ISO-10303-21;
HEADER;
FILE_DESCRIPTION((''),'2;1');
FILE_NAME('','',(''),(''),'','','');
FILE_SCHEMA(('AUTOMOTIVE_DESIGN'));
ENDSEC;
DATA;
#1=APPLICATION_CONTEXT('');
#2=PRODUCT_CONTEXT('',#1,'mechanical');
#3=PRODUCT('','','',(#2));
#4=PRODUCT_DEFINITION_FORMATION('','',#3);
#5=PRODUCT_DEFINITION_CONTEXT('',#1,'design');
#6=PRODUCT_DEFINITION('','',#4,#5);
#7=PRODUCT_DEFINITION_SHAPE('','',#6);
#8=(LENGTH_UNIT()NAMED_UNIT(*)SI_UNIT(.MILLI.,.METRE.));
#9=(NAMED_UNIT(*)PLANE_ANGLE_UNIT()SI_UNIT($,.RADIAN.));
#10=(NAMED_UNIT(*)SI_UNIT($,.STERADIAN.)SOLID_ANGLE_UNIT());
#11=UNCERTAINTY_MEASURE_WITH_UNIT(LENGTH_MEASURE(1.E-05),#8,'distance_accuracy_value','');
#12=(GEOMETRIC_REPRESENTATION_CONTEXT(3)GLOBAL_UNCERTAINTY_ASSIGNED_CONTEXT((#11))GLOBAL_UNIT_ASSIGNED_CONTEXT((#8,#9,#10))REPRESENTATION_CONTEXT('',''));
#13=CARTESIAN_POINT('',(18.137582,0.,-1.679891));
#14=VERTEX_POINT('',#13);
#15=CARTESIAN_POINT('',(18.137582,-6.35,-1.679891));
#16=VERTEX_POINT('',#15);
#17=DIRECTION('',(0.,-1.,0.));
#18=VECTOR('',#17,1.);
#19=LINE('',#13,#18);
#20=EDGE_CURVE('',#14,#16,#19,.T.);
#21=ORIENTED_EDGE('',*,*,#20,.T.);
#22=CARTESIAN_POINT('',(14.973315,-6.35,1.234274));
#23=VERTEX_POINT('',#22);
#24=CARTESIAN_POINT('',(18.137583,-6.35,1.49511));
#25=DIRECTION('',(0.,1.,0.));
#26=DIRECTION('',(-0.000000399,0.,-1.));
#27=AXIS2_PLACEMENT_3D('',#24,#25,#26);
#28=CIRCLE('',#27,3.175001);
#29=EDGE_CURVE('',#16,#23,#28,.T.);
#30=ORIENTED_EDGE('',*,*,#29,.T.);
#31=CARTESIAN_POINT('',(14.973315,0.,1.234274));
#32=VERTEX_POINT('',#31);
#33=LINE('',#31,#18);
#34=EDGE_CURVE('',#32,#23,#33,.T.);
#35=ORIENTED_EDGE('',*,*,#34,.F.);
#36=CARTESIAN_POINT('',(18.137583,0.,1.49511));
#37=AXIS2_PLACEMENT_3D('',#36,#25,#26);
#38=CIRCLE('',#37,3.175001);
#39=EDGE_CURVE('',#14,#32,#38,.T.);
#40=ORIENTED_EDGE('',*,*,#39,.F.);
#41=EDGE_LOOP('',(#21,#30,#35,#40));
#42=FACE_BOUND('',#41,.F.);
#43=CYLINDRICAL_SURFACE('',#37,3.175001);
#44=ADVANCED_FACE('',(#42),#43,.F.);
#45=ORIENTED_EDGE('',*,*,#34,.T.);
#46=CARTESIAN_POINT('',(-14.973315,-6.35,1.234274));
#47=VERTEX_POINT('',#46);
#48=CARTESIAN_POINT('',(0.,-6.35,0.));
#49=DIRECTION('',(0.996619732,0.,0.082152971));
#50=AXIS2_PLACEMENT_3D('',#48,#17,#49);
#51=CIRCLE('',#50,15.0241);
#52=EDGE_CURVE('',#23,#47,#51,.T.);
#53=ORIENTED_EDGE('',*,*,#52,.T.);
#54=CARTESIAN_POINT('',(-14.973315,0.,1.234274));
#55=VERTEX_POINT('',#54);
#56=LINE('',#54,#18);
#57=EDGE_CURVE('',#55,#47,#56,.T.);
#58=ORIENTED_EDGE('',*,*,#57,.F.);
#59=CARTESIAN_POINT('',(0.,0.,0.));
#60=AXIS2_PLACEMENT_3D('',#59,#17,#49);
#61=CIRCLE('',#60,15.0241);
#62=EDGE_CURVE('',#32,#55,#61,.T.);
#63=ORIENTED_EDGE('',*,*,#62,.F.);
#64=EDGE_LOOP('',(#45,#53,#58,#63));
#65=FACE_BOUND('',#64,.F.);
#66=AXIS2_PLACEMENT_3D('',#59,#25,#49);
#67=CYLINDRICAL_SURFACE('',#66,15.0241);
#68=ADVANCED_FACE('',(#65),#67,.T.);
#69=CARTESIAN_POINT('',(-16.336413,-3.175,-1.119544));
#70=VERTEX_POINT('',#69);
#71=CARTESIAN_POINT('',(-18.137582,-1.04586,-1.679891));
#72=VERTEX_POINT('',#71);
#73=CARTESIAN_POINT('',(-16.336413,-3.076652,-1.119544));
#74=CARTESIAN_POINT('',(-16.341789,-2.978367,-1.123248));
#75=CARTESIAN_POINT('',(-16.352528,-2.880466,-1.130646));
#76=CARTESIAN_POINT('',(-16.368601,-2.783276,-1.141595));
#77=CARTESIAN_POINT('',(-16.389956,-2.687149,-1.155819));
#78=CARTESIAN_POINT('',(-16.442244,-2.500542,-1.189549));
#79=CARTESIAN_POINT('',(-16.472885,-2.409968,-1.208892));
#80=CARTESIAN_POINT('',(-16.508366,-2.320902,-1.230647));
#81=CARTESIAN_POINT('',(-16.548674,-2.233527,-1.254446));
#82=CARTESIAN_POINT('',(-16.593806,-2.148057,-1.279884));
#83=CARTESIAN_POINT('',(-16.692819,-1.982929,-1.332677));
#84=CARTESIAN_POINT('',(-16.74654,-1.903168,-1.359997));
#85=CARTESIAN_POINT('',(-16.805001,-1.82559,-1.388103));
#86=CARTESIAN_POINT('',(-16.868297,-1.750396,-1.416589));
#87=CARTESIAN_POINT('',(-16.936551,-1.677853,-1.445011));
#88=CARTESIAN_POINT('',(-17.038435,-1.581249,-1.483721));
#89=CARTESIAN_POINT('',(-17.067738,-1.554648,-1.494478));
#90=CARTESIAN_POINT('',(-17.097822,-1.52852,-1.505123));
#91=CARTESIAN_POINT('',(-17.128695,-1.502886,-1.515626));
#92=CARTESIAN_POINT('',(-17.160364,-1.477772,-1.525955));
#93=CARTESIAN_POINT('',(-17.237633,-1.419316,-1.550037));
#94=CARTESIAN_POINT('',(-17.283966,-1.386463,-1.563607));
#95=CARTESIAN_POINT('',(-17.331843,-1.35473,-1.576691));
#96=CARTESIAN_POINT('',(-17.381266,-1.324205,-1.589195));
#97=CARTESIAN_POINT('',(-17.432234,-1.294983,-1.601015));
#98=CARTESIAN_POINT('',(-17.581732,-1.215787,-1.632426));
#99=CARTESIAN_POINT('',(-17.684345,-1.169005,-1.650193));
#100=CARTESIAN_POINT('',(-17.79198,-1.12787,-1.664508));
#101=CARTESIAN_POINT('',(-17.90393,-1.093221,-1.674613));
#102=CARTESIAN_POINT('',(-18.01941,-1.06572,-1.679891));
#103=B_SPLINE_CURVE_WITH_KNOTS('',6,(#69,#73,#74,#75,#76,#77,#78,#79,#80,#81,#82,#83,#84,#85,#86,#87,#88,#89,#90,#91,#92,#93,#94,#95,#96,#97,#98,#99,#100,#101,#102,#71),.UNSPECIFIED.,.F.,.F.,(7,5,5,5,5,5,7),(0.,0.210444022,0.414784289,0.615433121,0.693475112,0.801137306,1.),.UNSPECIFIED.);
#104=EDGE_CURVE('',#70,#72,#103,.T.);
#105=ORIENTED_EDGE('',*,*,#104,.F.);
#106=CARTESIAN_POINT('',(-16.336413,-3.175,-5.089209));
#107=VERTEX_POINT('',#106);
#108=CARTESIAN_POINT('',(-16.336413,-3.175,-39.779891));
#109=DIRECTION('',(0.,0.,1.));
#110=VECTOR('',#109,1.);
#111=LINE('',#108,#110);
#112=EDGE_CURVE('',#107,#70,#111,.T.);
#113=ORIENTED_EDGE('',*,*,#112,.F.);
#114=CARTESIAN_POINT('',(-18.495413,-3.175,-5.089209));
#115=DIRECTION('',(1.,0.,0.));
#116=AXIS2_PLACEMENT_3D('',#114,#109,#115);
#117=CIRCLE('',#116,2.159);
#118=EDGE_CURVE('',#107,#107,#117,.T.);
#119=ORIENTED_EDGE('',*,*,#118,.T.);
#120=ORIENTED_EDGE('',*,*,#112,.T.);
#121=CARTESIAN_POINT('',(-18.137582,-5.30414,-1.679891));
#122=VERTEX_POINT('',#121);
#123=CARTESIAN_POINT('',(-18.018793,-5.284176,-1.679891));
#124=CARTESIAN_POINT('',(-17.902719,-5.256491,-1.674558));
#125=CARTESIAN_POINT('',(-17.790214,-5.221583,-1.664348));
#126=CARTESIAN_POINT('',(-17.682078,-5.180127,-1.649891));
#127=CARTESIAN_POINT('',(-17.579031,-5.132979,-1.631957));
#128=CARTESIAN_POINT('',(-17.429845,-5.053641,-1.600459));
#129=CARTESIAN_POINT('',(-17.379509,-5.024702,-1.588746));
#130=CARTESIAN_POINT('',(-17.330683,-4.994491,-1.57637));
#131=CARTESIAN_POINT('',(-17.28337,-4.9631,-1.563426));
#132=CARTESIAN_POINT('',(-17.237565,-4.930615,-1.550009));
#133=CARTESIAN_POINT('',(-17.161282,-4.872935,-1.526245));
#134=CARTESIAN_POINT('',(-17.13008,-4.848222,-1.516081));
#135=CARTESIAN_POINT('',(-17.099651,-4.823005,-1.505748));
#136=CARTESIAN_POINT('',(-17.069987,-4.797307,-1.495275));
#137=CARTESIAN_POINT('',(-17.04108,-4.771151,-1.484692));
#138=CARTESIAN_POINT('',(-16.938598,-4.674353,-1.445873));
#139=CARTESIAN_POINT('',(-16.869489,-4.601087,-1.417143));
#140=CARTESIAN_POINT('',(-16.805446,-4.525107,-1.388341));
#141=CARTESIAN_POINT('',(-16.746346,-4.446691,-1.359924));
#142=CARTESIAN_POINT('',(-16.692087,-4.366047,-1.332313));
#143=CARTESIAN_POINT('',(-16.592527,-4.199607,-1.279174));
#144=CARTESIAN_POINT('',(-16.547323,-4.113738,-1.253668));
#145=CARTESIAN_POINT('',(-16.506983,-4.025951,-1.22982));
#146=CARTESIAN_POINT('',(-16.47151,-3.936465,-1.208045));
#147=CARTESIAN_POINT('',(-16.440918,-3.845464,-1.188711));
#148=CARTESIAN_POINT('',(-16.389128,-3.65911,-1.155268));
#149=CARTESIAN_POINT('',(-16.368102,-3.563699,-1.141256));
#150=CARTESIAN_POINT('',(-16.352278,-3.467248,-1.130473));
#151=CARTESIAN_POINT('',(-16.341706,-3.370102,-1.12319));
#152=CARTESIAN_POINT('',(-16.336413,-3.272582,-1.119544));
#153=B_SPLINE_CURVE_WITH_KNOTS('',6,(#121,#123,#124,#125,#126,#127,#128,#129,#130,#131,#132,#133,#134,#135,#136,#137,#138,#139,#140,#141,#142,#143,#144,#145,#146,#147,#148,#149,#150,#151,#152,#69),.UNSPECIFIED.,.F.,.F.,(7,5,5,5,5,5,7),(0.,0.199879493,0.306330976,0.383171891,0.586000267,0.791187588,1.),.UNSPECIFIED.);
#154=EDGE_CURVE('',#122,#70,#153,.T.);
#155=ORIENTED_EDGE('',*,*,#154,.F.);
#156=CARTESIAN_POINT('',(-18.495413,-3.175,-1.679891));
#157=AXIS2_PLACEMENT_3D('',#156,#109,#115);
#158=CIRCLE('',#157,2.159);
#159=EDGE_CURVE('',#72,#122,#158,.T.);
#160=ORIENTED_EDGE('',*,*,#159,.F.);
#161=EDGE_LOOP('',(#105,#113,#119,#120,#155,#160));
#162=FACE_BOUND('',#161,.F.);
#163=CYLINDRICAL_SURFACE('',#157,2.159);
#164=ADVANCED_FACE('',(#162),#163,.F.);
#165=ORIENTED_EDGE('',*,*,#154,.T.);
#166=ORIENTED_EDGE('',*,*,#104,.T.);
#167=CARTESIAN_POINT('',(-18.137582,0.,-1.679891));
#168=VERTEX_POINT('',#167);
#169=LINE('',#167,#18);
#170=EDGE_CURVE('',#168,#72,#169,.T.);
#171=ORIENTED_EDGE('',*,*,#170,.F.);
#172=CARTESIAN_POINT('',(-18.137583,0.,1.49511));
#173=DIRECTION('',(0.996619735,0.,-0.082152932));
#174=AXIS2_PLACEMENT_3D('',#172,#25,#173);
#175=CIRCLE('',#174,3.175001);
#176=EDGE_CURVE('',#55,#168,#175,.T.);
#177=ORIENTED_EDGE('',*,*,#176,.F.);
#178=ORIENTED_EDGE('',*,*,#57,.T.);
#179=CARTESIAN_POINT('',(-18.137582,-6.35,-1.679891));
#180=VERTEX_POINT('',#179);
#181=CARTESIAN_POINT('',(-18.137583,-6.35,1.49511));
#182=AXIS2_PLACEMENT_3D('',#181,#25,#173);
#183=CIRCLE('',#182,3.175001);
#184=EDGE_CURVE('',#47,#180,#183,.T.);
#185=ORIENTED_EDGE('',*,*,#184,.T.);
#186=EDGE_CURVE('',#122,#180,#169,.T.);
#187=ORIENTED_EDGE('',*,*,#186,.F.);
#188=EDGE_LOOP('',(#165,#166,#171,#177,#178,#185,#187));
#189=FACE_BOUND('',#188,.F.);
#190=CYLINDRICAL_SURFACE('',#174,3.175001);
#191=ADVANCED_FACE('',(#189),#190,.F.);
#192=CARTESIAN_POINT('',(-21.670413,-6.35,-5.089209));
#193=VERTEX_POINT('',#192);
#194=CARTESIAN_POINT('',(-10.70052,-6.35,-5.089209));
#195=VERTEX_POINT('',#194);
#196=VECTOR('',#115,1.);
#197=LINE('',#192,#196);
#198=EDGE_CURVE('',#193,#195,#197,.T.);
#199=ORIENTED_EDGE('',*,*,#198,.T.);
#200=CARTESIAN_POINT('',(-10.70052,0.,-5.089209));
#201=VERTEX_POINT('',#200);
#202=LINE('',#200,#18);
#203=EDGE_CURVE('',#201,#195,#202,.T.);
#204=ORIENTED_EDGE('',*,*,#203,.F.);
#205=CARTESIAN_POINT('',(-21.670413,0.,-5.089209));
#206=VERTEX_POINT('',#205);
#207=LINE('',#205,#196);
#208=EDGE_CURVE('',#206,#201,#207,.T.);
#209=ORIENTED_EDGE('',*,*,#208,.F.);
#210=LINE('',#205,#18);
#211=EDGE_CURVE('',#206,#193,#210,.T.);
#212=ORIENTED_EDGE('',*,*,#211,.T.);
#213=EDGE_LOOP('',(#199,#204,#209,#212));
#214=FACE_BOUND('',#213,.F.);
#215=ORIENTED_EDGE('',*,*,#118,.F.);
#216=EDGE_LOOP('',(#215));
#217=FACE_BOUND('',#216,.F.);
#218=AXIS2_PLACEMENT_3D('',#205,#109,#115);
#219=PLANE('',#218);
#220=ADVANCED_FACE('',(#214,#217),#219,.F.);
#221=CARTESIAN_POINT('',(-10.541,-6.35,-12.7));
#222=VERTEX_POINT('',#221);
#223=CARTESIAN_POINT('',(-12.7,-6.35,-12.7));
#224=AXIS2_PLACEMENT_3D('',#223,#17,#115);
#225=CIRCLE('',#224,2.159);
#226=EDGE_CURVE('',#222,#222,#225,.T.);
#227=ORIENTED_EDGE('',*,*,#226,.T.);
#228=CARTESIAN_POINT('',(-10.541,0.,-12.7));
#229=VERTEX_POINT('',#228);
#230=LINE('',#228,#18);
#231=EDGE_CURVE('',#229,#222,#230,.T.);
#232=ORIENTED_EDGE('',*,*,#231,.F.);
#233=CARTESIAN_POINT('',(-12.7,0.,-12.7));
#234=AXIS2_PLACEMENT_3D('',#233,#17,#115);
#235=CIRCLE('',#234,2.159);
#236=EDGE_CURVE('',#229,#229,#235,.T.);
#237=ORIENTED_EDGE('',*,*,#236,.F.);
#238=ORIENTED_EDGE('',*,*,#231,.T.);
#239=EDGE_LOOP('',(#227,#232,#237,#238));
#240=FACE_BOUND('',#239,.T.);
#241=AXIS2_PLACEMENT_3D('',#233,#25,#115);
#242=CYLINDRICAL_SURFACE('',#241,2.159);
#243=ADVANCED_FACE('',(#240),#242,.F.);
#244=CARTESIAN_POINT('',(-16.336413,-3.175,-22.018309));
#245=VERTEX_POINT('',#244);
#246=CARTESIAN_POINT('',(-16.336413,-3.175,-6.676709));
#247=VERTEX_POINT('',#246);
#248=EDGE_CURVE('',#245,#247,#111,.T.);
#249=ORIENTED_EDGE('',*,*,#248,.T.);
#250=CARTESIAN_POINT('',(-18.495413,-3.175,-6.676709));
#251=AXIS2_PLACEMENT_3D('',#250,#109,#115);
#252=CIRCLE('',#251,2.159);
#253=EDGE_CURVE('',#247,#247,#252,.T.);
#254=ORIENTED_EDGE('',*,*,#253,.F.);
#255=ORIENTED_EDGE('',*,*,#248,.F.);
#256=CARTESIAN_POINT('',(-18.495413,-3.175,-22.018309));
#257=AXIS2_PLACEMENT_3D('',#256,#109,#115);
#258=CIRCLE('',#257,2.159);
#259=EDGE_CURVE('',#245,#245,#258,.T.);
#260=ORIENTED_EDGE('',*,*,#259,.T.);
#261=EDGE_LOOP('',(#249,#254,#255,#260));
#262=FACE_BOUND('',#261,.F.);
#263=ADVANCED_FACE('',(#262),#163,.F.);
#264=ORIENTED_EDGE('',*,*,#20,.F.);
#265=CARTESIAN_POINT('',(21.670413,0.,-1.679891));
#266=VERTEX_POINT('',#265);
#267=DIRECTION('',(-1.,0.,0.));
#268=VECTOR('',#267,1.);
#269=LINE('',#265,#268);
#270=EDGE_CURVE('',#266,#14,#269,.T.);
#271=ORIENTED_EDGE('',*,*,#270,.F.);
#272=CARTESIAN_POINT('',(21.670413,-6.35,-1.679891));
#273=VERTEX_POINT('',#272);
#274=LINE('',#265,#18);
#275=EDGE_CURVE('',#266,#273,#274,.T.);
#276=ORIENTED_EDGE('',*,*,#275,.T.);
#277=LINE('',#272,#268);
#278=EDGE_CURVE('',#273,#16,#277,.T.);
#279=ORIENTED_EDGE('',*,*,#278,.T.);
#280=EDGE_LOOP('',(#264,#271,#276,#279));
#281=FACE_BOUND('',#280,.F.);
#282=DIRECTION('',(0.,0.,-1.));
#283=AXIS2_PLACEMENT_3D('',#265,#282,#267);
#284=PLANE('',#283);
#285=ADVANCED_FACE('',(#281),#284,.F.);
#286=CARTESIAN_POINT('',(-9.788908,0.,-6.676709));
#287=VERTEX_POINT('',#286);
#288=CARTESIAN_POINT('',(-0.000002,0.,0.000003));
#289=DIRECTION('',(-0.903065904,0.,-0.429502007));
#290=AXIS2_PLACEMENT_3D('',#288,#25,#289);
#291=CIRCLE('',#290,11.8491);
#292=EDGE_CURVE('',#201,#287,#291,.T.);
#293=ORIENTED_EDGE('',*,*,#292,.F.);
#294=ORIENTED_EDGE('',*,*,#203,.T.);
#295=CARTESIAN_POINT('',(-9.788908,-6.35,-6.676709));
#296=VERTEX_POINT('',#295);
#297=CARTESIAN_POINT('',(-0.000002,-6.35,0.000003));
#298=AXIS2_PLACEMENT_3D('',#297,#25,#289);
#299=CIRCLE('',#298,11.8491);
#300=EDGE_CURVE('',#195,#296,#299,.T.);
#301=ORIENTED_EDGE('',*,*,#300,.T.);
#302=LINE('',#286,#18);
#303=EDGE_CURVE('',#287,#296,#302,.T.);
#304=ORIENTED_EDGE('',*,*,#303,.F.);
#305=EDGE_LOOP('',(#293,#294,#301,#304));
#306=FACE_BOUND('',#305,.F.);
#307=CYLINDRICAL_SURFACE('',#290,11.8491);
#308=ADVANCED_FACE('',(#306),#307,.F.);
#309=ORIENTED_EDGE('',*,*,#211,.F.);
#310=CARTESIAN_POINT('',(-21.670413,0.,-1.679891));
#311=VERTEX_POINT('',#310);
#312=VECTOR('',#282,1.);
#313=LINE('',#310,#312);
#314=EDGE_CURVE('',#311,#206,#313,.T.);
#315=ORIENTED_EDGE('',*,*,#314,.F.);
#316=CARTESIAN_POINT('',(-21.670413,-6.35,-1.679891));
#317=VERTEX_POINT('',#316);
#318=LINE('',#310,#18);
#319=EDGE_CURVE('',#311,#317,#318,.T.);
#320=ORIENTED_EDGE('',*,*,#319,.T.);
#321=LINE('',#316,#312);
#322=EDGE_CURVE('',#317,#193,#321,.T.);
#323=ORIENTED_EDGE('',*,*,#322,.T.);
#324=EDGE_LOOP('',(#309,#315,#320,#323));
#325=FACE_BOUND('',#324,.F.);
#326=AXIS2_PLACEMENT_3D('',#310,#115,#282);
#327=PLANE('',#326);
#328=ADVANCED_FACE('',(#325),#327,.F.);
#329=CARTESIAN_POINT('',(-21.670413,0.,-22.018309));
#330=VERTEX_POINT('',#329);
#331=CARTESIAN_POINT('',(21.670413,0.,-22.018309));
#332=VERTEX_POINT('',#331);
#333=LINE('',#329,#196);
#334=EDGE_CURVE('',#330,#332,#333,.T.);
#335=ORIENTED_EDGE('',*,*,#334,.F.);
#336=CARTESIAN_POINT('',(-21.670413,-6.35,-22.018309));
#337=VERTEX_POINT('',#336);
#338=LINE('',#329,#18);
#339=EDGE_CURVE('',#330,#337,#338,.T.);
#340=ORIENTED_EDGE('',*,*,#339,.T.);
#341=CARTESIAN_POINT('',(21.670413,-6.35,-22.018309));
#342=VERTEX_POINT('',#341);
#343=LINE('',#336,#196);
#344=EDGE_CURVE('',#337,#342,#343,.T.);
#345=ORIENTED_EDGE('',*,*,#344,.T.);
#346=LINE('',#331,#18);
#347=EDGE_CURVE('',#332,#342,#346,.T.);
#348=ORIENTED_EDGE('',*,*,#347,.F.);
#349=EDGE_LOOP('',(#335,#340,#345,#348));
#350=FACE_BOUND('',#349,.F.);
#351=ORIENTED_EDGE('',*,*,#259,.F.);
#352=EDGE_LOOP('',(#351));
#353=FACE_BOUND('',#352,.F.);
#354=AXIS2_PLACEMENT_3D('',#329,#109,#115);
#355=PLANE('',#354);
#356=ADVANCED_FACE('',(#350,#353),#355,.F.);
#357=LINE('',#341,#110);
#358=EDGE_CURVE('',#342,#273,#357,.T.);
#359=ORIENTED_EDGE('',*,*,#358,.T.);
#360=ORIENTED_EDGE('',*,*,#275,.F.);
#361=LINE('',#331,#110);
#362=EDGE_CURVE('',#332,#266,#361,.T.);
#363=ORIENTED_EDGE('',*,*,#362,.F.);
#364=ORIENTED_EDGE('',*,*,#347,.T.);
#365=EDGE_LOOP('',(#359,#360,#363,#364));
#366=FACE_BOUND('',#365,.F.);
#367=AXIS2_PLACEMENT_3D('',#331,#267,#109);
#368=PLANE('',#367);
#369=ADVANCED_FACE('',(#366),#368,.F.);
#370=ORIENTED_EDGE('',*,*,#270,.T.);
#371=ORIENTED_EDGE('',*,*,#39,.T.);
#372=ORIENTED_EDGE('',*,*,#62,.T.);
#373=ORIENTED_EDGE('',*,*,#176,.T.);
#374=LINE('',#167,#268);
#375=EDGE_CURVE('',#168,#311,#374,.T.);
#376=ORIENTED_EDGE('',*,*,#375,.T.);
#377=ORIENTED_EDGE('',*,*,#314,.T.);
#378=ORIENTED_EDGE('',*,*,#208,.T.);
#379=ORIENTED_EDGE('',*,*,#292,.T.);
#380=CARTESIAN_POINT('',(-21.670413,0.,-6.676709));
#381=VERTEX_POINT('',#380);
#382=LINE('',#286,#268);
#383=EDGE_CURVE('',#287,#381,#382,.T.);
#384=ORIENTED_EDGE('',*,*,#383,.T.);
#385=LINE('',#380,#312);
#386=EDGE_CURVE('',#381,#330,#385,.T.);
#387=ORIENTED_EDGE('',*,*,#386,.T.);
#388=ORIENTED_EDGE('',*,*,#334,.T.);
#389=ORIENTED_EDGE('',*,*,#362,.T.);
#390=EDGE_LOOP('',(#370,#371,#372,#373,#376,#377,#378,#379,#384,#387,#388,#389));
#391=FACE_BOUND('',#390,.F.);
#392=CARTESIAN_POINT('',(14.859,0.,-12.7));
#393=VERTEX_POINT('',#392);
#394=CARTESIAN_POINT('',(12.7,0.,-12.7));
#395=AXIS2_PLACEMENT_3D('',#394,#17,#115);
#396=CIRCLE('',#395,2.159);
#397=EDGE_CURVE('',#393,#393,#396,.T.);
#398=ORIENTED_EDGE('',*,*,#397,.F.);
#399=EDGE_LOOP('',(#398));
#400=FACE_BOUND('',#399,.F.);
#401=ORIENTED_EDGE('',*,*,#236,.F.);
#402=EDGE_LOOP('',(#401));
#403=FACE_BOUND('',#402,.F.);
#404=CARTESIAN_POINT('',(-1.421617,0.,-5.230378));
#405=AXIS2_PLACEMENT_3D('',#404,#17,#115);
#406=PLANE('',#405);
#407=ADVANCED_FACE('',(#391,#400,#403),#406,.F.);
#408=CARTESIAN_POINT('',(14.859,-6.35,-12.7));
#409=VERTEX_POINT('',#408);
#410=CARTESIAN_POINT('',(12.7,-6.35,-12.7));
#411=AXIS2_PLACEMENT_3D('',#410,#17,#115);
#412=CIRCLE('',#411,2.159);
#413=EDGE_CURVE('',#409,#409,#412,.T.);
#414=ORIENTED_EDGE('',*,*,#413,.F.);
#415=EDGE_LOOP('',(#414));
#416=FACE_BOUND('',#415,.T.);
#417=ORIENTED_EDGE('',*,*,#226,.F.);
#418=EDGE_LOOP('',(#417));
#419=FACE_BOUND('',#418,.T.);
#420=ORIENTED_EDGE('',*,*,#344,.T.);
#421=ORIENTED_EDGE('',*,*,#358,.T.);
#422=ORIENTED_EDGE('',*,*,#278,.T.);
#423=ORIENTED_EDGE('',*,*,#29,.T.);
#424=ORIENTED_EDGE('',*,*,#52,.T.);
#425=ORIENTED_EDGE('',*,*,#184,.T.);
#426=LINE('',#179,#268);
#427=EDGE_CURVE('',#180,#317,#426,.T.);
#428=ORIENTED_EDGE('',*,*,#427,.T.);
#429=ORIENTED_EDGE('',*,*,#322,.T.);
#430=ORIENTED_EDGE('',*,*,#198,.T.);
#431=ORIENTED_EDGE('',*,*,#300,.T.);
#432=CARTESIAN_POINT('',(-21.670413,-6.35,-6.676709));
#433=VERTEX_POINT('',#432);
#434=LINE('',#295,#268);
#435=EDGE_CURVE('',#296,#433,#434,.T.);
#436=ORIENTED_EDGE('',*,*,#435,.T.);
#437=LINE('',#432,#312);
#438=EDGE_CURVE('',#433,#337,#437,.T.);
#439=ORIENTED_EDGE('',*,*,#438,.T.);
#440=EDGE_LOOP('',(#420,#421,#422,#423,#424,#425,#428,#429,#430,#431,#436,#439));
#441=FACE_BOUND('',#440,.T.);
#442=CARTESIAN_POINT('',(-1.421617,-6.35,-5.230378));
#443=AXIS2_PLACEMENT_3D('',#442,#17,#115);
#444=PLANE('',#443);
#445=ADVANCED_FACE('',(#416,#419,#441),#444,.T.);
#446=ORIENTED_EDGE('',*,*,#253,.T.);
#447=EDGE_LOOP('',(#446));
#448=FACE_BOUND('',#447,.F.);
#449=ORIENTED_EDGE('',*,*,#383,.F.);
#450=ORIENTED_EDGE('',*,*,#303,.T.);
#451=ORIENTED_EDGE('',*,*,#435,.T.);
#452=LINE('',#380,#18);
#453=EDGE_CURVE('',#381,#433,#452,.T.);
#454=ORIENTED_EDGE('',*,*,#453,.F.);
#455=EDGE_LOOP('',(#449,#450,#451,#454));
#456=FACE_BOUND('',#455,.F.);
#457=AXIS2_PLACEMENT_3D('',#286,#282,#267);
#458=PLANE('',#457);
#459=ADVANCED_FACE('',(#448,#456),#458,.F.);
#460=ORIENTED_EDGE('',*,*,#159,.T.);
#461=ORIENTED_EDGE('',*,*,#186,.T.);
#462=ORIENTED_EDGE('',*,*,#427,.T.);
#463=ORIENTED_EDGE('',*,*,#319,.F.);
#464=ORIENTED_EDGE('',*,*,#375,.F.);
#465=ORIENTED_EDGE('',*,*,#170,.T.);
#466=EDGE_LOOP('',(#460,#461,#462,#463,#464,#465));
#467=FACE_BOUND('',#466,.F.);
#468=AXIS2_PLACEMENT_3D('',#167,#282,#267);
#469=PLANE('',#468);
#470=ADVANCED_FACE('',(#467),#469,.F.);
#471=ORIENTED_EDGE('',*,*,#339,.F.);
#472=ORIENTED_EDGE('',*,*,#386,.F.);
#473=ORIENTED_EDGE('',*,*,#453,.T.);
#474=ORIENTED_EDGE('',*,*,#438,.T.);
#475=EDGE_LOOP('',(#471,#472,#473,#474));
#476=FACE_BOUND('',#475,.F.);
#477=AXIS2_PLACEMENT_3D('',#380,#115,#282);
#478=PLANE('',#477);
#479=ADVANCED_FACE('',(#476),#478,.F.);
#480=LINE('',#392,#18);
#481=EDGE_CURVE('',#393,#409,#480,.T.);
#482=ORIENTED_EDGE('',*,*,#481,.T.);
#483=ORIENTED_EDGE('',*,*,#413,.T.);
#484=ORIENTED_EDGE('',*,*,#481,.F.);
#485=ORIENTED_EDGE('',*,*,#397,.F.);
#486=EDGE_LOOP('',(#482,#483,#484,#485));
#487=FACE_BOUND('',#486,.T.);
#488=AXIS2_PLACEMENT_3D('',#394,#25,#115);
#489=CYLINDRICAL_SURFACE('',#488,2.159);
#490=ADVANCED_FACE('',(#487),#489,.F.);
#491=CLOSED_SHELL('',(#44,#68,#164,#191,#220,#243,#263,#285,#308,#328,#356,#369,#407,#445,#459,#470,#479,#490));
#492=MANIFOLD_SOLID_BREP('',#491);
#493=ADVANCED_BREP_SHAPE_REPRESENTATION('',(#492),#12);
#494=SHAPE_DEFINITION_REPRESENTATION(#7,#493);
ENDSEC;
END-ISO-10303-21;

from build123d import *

# Parameters (mm, degrees)
F0_R     = 2.159
F1_DEPTH = 6.35
F2_R     = 2.159
F3_DEPTH = 38.1


with BuildPart() as f1:
    # F0 (on Front) → F1 (new body)
    with BuildSketch(Plane.XZ):
        with BuildLine():
            ThreePointArc((-10.70052, -5.089209), (10.275417, 5.90059), (-9.788908, -6.676709))
            Line((-9.788908, -6.676709), (-21.670413, -6.676709))
            Line((-21.670413, -6.676709), (-21.670413, -22.018309))
            Line((-21.670413, -22.018309), (21.670413, -22.018309))
            Line((21.670413, -22.018309), (21.670413, -1.679891))
            Line((21.670413, -1.679891), (18.137582, -1.679891))
            ThreePointArc((18.137582, -1.679891), (15.986714, -0.840354), (14.973315, 1.234274))
            ThreePointArc((14.973315, 1.234274), (0, 15.0241), (-14.973315, 1.234274))
            ThreePointArc((-14.973315, 1.234274), (-15.986714, -0.840354), (-18.137582, -1.679891))
            Line((-18.137582, -1.679891), (-21.670413, -1.679891))
            Line((-21.670413, -1.679891), (-21.670413, -5.089209))
            Line((-21.670413, -5.089209), (-10.70052, -5.089209))
        make_face()
        with Locations((-12.7, -12.7)):
            Circle(F0_R, mode=Mode.SUBTRACT)
        with Locations((12.7, -12.7)):
            Circle(F0_R, mode=Mode.SUBTRACT)
    extrude(amount=F1_DEPTH)

    # F2 (on face) → F3 (cut, symmetric)
    with BuildSketch(Plane.XY.offset(-1.679891)):
        with Locations((-18.495413, -3.175)):
            Circle(F2_R)
    extrude(amount=F3_DEPTH, both=True, mode=Mode.SUBTRACT)


solid = f1.part
